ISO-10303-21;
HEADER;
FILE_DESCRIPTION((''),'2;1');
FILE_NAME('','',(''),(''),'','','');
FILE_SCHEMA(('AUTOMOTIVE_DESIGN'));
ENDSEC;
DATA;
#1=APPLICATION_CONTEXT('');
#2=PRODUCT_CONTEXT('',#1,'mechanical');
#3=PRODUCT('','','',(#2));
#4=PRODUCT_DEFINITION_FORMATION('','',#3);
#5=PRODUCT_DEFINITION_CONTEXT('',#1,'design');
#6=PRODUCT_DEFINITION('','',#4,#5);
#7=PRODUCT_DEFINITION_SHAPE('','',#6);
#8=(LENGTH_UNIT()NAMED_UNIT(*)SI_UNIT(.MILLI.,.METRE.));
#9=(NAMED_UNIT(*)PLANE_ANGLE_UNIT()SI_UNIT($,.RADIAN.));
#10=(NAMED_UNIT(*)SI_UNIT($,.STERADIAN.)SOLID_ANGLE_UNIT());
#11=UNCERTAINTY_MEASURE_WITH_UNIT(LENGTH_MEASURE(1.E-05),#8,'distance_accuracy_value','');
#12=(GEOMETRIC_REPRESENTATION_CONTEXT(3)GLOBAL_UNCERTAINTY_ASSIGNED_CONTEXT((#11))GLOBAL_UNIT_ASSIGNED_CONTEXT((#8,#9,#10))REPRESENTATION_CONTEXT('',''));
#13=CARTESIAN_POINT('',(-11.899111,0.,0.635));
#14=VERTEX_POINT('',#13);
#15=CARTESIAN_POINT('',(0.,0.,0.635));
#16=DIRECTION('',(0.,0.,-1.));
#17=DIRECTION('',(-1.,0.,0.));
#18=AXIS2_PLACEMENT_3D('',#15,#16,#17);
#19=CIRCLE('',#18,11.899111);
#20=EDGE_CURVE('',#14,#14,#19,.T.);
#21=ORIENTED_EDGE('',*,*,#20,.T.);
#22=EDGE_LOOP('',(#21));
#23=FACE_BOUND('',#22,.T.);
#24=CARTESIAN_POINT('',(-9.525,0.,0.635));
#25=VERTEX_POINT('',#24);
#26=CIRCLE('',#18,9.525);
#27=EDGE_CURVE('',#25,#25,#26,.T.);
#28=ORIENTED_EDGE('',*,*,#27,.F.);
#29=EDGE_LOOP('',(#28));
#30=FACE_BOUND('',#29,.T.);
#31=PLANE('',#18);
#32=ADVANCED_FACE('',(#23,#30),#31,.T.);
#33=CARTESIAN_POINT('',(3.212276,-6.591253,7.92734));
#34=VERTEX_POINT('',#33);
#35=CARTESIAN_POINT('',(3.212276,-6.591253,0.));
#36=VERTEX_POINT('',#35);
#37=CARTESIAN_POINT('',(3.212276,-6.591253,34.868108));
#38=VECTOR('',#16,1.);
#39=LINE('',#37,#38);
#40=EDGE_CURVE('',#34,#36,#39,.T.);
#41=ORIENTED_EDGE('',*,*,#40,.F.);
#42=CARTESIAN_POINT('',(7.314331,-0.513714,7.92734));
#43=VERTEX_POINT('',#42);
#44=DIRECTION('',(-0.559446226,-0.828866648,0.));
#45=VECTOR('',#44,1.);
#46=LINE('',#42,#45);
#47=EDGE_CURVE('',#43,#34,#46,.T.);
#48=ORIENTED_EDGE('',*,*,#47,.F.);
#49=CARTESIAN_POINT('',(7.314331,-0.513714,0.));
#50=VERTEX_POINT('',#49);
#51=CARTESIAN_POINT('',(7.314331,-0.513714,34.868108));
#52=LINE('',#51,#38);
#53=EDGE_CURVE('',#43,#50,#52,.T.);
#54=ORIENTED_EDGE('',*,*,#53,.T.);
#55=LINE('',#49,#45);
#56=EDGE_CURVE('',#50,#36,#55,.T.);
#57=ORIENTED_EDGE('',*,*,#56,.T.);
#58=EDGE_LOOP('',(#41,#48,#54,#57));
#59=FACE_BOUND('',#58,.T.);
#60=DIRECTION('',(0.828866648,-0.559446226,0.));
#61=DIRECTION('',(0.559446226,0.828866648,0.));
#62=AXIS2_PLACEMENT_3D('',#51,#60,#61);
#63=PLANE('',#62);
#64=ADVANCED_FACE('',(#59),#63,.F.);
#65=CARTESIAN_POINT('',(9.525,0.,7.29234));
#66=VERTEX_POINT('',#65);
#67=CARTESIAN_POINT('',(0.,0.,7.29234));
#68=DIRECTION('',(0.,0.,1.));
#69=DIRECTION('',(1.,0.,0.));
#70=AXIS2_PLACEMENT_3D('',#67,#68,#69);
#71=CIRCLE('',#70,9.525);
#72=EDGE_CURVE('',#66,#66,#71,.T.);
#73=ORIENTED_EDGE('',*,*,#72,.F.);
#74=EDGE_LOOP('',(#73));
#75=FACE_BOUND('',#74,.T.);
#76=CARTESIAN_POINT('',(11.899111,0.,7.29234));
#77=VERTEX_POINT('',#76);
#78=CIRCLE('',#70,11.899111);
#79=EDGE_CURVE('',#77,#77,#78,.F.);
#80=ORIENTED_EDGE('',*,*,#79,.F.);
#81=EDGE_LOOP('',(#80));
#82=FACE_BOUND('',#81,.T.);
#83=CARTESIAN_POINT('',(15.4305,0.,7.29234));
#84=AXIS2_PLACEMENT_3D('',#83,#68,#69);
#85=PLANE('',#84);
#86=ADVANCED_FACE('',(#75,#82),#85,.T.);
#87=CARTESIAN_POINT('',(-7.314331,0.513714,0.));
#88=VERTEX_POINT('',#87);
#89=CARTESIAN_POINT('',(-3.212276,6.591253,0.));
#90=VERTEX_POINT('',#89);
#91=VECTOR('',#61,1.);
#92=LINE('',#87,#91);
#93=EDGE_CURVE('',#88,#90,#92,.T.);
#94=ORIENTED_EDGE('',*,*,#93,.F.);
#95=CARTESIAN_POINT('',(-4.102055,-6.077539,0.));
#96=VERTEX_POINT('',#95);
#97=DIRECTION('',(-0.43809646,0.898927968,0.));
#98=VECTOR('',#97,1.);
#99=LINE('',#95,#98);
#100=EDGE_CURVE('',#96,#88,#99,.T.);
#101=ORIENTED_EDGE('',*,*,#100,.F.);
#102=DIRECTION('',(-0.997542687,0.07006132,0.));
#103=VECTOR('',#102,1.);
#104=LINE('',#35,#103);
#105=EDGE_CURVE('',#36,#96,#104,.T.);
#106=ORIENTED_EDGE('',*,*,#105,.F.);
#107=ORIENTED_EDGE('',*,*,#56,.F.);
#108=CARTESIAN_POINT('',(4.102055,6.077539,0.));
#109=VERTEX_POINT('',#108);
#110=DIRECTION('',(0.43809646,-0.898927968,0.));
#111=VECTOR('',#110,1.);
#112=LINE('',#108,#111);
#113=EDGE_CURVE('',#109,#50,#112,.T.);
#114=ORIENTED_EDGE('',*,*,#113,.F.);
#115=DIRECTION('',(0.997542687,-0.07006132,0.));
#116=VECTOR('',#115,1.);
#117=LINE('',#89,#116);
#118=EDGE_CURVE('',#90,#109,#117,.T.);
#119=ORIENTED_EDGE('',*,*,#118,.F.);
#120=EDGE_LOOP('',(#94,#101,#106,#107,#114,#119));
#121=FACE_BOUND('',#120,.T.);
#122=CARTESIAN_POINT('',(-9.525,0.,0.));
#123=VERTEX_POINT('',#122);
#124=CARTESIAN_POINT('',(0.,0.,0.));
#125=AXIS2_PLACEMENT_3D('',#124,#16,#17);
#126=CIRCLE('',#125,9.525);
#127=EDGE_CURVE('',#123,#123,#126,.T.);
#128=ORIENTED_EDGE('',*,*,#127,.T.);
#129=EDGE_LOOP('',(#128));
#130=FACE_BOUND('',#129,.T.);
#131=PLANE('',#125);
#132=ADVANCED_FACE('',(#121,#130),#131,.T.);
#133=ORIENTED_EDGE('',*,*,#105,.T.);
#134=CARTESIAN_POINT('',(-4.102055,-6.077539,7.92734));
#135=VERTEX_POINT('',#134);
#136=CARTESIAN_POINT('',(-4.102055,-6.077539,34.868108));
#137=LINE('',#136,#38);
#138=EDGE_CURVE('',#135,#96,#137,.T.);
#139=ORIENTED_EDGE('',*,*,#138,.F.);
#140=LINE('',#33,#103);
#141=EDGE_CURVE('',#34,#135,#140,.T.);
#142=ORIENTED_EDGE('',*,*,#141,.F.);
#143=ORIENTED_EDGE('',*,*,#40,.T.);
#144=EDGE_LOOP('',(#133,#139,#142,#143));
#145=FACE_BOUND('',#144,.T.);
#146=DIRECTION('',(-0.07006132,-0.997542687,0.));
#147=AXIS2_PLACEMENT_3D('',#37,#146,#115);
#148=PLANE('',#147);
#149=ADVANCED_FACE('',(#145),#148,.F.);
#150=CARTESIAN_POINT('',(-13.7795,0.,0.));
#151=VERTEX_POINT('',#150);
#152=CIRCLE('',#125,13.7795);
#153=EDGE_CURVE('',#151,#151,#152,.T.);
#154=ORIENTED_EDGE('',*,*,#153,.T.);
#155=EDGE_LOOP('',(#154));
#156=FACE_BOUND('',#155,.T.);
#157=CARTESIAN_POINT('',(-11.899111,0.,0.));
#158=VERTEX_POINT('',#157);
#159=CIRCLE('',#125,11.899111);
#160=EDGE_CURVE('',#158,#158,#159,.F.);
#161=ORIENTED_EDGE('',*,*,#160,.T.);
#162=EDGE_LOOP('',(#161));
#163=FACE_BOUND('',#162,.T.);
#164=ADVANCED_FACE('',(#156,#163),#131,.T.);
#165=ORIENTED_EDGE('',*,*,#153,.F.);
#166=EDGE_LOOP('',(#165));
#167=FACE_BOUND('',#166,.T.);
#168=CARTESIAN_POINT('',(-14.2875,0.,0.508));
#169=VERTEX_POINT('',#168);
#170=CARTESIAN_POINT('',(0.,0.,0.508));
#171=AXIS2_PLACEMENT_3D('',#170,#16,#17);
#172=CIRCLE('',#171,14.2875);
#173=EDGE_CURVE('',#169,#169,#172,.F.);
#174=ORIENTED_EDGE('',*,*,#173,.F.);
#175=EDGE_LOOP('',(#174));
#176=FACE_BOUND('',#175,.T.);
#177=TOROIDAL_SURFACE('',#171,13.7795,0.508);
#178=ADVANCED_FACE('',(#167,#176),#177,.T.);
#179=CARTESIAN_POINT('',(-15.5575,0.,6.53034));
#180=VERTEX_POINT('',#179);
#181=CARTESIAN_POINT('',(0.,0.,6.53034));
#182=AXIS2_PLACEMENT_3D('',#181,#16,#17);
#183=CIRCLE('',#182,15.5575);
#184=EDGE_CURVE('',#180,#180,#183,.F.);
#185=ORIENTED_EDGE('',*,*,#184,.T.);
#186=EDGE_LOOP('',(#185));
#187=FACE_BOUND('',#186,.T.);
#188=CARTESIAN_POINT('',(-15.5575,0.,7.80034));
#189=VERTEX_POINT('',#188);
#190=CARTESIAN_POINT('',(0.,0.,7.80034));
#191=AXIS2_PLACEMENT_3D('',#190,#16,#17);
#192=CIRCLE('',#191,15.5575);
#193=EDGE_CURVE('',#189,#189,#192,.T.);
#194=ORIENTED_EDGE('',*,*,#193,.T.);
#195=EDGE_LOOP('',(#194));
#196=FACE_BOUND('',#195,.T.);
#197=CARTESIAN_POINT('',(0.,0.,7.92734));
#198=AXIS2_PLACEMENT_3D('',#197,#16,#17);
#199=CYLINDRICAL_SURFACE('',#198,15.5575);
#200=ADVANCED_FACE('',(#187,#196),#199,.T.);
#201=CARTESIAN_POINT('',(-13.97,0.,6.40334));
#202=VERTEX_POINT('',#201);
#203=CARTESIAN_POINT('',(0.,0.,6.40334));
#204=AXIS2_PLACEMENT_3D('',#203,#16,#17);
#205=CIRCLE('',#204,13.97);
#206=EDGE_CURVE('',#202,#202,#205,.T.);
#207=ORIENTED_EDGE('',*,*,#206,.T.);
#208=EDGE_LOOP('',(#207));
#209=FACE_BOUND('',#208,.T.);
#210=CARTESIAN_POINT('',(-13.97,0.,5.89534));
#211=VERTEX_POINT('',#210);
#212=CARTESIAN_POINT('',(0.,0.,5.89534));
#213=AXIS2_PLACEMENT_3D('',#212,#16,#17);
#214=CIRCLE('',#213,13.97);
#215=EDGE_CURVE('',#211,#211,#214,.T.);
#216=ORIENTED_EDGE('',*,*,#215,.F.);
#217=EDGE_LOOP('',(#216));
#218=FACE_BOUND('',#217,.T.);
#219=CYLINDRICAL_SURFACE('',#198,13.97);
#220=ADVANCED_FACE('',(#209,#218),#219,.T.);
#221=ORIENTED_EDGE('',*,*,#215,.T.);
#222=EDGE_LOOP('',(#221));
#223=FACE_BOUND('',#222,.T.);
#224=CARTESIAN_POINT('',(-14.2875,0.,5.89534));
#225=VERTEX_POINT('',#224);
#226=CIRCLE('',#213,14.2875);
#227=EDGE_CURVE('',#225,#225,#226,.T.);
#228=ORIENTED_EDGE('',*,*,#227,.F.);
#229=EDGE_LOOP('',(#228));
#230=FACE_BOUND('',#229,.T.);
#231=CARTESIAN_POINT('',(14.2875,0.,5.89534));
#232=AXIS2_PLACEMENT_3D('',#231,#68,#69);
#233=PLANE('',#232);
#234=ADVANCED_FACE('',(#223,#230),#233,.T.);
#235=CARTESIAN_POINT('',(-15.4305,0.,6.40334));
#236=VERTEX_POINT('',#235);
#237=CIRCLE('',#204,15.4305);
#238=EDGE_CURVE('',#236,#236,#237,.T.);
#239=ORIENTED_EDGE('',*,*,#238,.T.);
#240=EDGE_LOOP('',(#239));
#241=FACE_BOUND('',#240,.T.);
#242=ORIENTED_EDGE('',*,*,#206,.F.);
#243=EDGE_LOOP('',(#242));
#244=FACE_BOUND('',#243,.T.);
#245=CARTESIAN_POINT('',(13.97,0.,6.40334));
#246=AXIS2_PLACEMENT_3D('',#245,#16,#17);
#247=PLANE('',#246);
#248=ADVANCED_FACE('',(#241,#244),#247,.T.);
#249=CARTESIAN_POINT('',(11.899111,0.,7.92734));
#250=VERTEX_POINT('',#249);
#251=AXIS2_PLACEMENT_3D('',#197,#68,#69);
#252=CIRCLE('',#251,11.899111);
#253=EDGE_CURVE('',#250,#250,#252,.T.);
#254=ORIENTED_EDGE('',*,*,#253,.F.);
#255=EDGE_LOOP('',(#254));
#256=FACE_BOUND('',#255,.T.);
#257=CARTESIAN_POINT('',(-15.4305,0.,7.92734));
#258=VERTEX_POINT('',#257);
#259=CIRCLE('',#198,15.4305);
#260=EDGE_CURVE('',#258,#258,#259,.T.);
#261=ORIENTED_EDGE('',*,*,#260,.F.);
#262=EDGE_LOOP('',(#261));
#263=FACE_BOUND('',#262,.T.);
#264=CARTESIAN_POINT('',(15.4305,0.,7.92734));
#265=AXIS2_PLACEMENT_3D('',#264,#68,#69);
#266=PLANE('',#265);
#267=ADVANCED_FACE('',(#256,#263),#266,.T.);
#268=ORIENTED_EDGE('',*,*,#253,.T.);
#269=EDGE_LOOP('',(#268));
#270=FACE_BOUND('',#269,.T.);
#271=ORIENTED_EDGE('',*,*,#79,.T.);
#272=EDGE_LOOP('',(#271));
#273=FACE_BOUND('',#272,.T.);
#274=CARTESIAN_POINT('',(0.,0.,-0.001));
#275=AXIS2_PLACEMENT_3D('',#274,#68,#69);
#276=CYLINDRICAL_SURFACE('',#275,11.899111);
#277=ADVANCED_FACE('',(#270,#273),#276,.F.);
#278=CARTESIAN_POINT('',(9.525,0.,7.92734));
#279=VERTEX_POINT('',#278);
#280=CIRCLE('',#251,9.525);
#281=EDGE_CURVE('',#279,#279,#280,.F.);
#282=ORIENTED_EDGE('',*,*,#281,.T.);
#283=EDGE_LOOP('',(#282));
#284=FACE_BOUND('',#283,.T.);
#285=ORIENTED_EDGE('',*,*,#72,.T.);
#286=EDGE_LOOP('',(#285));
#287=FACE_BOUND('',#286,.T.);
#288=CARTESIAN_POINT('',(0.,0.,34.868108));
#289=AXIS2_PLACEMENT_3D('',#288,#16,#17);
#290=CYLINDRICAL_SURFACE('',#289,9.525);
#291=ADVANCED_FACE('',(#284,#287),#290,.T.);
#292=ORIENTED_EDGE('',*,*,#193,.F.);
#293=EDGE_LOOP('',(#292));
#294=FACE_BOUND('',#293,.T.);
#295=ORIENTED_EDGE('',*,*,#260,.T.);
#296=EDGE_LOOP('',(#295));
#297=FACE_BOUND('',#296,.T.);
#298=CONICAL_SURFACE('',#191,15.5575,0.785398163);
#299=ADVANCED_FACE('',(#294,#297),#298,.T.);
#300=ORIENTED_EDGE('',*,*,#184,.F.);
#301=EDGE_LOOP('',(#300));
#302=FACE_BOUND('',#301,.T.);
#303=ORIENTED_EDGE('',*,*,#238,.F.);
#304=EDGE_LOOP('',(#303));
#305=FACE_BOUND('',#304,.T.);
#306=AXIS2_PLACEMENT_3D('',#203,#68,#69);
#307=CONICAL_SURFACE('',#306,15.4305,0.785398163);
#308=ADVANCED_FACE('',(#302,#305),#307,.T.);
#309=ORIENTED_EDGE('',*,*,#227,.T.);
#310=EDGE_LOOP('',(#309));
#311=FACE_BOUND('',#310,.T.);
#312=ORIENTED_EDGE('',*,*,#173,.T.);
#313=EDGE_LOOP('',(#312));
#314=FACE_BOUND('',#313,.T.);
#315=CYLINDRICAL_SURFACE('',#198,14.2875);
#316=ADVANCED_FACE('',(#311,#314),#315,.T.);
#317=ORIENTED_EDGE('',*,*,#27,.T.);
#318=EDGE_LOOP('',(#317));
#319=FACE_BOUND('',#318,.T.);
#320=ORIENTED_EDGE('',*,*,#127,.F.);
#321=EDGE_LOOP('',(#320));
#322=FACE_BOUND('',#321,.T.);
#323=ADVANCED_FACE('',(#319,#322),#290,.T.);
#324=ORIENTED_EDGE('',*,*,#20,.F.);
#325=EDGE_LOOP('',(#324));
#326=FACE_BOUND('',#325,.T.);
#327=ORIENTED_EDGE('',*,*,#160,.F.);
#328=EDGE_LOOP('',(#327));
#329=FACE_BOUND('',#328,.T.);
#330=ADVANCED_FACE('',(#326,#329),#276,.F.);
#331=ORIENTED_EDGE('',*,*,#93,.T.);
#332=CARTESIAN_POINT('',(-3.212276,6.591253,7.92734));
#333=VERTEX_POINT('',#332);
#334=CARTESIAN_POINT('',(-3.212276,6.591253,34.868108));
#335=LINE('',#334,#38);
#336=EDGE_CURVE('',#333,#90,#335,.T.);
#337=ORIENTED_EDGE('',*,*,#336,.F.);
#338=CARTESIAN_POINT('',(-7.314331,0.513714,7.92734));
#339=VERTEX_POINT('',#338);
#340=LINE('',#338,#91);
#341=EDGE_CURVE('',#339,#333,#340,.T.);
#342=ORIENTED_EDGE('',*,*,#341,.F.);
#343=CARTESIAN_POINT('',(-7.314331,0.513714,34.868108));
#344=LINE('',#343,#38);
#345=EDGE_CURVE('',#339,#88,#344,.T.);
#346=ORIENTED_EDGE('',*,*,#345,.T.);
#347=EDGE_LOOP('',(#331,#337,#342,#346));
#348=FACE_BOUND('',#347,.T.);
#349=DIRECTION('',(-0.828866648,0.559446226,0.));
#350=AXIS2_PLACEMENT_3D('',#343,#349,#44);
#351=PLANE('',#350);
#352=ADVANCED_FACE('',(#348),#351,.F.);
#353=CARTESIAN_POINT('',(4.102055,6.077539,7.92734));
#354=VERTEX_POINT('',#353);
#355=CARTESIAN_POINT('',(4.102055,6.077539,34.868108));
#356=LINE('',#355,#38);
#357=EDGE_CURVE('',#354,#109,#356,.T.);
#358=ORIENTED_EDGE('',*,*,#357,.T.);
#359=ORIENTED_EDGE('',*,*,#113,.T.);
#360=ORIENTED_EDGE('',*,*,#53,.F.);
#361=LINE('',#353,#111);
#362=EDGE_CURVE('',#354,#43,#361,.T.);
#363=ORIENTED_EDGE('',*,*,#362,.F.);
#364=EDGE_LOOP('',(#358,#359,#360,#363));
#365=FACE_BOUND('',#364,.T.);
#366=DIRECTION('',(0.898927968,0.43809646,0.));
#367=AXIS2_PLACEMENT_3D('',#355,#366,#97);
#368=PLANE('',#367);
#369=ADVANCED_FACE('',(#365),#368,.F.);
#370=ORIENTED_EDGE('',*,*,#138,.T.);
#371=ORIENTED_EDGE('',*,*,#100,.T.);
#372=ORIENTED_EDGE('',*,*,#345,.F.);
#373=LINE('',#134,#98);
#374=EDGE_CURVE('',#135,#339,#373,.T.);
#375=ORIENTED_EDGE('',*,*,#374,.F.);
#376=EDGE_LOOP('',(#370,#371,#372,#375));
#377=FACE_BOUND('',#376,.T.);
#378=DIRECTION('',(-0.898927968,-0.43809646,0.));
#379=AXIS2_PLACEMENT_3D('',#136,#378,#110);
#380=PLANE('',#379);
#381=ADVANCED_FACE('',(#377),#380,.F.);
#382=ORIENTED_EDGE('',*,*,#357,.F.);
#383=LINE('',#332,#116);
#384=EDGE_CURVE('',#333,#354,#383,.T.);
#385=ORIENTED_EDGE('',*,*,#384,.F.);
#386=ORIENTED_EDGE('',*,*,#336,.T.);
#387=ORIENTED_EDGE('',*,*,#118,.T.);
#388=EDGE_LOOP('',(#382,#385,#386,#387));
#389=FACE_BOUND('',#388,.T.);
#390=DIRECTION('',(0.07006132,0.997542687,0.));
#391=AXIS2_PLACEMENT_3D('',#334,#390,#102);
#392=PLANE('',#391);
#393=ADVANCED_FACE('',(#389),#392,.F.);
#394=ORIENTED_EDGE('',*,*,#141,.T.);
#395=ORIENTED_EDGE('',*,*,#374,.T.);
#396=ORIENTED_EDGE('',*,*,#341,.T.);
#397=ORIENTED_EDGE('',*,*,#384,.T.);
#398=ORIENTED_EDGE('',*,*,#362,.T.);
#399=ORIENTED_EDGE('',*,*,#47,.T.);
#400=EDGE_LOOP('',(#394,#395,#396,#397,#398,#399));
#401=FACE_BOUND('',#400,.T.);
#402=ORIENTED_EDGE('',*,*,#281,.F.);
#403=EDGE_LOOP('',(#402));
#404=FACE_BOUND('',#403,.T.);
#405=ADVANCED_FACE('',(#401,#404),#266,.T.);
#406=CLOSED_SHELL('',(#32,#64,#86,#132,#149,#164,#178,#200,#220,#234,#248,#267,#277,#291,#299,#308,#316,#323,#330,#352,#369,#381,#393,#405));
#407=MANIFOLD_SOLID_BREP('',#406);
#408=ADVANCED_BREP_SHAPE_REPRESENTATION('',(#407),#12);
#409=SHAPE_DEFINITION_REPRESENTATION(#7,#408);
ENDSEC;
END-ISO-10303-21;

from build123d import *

# Parameters (mm, degrees)
CHAMFER1_SIZE       = 0.127
FILLET2_R           = 0.508
CUT_EXTRUDE2_REACH  = 9.927
SKETCH3_R           = 11.899111158
SKETCH4_R           = 9.525
BOSS_EXTRUDE1_DEPTH = 7.92734
SKETCH5_R           = 11.899111158
SKETCH5_R_2         = 9.525
BOSS_EXTRUDE2_DEPTH = 6.65734


with BuildPart() as part:
    # Sketch1 → Revolve1 (revolve)
    with BuildSketch(Plane.XZ):
        Polygon((15.4305, 7.92734), (0, 7.92734), (0, 0), (14.2875, 0), (14.2875, 5.89534), (13.97, 5.89534), (13.97, 6.40334), (15.5575, 6.40334), (15.5575, 7.80034), align=None)
    revolve(axis=Axis((0, 0, 7.92734), (0, 0, -1)))

    # Chamfer1
    chamfer1_edges = [part.edges().sort_by_distance(p)[0] for p in [
        (-15.5575, 0, 6.40334),
    ]]
    chamfer(chamfer1_edges, length=CHAMFER1_SIZE)

    # Fillet2
    fillet2_edges = [part.edges().sort_by_distance(p)[0] for p in [
        (-14.2875, 0, 0),
    ]]
    fillet(fillet2_edges, radius=FILLET2_R)

    # Sketch3 → Cut-Extrude2 (cut, up to next)
    with BuildSketch(Plane.XY.offset(7.92734), mode=Mode.PRIVATE) as cut_extrude2_sk1:
        Circle(SKETCH3_R)
    cut_extrude2_tool1 = extrude(cut_extrude2_sk1.sketch, amount=-CUT_EXTRUDE2_REACH, mode=Mode.PRIVATE) & part.part
    add(cut_extrude2_tool1.solids().sort_by_distance((0, 0, 7.92734))[0], mode=Mode.SUBTRACT)



with BuildPart() as body_2:
    # Sketch4 → Boss-Extrude1 (new body)
    with BuildSketch(Plane(origin=(0, 0, 0), x_dir=(-1, 0, 0), z_dir=(0, 0, -1))):
        Circle(SKETCH4_R)
        Polygon((-3.212275886, -6.591253065), (4.102054654, -6.077539054), (7.31433054, 0.513714011), (3.212275886, 6.591253065), (-4.102054654, 6.077539054), (-7.31433054, -0.513714011), align=None, mode=Mode.SUBTRACT)
    extrude(amount=-BOSS_EXTRUDE1_DEPTH)


with BuildPart() as part_1:
    add(part.part)

    add(body_2.part)  # Boss-Extrude2 merges body 2
    # Sketch5 → Boss-Extrude2 (add)
    with BuildSketch(Plane(origin=(0, 0, 0.635), x_dir=(-1, 0, 0), z_dir=(0, 0, -1))):
        Circle(SKETCH5_R)
        Circle(SKETCH5_R_2, mode=Mode.SUBTRACT)
    extrude(amount=-BOSS_EXTRUDE2_DEPTH)


solid = part_1.part
